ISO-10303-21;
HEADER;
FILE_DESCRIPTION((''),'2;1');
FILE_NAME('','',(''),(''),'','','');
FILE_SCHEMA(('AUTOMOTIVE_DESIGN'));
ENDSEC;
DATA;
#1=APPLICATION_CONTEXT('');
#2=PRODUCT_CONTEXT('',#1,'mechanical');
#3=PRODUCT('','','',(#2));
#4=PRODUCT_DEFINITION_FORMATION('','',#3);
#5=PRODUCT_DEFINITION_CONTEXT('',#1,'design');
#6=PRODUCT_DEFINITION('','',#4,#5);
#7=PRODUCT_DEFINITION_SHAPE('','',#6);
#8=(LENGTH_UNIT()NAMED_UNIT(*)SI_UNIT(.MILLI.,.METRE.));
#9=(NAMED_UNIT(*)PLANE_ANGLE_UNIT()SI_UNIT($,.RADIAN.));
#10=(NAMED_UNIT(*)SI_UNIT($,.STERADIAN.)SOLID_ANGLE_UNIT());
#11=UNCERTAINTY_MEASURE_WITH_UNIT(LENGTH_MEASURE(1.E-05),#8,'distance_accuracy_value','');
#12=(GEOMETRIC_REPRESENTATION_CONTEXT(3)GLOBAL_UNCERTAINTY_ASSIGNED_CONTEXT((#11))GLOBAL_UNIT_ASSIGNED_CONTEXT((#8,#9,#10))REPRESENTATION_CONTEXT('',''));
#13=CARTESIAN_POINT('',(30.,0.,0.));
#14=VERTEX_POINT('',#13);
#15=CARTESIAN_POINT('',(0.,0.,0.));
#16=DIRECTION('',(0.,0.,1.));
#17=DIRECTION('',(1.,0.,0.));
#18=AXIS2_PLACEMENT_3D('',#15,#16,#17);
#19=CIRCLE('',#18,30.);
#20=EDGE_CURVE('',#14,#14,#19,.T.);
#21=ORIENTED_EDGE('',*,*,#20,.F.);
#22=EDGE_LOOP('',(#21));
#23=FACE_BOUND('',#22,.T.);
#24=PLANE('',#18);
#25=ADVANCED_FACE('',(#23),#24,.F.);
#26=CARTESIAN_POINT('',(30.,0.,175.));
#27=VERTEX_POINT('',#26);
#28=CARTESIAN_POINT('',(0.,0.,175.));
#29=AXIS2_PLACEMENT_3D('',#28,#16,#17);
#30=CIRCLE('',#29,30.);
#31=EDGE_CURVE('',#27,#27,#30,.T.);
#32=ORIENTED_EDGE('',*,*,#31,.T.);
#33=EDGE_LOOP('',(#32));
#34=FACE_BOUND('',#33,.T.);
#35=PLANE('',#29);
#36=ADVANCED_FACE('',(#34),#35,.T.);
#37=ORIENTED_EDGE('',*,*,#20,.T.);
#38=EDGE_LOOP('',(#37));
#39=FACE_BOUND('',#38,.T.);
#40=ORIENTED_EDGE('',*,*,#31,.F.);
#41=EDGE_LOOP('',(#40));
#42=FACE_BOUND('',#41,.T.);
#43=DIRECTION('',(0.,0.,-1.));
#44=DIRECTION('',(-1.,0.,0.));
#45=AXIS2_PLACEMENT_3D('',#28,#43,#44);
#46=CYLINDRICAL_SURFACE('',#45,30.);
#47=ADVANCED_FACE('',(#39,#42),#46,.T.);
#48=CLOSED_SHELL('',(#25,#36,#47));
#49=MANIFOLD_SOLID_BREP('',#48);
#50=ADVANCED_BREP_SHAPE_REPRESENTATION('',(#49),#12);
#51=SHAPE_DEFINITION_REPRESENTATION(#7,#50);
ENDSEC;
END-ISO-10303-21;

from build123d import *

# Parameters (mm, degrees)
SKETCH_1_R      = 30
EXTRUDE_1_DEPTH = 175


with BuildPart() as part:
    # 草图1 → 凸台-拉伸1 (new body)
    with BuildSketch(Plane.XY):
        Circle(SKETCH_1_R)
    extrude(amount=EXTRUDE_1_DEPTH)


solid = part.part
